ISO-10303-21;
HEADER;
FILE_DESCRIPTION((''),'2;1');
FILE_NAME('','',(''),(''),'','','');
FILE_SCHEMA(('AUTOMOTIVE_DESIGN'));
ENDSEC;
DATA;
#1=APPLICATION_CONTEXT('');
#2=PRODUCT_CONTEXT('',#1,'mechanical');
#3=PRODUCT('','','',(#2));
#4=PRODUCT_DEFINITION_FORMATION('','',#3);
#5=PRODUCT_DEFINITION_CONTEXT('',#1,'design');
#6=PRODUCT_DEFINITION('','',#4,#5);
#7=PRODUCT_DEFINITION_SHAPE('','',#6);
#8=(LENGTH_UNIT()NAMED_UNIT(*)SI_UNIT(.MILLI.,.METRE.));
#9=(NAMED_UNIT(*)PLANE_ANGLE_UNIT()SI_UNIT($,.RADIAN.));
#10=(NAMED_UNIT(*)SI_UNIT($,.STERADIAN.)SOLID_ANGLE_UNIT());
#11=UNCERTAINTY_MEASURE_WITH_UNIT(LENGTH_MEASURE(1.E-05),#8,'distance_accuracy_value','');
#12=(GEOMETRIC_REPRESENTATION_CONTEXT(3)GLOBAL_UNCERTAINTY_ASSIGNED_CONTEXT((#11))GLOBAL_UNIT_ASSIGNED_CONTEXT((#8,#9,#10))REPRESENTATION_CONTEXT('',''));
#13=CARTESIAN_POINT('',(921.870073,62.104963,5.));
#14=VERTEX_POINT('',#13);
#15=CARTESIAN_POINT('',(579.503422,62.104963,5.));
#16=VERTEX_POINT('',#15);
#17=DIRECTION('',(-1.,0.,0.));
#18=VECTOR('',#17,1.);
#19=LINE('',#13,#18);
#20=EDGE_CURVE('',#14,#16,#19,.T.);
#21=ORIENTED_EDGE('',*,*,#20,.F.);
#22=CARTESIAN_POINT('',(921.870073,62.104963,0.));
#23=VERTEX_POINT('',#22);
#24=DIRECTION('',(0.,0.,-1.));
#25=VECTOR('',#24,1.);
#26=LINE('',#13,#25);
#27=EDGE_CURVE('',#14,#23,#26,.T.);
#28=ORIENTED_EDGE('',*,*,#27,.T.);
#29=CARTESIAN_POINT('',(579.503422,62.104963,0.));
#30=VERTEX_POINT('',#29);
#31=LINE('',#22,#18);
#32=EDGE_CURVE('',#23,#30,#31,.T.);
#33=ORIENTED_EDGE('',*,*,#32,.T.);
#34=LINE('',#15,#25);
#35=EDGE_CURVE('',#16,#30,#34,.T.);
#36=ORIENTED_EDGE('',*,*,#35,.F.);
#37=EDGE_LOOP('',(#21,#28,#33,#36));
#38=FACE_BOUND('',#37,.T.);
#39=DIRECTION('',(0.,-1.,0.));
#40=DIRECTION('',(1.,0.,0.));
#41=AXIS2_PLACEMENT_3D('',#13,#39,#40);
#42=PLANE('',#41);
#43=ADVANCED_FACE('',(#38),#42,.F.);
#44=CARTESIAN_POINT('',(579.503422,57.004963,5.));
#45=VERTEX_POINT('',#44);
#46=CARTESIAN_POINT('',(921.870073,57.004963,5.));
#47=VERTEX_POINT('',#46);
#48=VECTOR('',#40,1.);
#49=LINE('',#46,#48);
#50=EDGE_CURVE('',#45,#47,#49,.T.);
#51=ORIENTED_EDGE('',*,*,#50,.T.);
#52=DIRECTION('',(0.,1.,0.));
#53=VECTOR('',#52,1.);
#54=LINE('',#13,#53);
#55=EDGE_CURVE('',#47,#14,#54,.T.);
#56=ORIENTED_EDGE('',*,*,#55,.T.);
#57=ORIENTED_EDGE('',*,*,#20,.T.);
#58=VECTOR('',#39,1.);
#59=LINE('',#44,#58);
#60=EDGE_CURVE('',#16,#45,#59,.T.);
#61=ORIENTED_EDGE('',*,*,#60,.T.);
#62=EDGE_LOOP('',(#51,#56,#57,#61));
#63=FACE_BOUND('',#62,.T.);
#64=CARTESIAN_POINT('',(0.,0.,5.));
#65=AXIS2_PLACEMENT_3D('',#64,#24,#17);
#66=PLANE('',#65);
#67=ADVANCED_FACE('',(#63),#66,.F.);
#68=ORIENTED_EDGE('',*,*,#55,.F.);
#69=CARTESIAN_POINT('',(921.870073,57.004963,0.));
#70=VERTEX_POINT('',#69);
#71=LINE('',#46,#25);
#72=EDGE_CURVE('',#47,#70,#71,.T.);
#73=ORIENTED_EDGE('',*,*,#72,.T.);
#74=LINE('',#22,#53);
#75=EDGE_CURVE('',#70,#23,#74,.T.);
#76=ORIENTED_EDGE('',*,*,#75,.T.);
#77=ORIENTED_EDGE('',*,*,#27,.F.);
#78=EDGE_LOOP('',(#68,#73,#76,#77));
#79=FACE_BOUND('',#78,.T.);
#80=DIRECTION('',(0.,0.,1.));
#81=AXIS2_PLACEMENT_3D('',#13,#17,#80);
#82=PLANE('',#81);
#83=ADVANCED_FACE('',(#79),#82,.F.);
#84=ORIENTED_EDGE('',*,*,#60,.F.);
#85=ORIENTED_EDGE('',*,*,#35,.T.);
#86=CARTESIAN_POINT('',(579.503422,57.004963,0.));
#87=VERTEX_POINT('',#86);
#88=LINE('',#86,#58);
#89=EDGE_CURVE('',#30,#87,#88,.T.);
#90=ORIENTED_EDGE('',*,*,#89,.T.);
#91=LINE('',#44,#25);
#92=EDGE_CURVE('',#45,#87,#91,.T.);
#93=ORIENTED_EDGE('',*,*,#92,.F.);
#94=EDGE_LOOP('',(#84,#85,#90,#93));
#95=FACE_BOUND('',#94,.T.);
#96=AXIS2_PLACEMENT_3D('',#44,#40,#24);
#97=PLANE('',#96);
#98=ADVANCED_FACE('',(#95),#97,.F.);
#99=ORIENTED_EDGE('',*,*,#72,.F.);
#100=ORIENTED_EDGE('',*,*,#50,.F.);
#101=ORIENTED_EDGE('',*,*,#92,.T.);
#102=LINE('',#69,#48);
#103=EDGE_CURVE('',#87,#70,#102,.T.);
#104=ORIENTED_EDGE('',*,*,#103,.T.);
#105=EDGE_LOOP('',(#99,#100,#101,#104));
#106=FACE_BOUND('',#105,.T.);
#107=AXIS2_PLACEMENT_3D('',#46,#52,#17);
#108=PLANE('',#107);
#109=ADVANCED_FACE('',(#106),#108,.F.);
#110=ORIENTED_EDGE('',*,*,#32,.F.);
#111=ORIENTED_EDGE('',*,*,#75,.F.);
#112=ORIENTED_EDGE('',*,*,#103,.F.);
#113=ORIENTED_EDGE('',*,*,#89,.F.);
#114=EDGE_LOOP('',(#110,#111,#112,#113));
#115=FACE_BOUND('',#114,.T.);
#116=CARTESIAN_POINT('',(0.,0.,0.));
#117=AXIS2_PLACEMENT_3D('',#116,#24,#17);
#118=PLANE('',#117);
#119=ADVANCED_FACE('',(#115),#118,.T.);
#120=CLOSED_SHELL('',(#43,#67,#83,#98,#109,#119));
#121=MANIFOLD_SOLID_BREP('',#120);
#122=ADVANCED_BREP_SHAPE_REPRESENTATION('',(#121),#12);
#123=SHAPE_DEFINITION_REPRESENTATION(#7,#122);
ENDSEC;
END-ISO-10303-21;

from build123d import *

# Parameters (mm, degrees)
MODEL_W         = 342.366650955
MODEL_H         = 5.1
EXTRUDE_1_DEPTH = 5


with BuildPart() as part:
    # Model → 凸台-拉伸1 (new body)
    with BuildSketch(Plane.XY):
        with Locations((750.686747378, 59.554962924)):
            Rectangle(MODEL_W, MODEL_H)
    extrude(amount=EXTRUDE_1_DEPTH)


solid = part.part
